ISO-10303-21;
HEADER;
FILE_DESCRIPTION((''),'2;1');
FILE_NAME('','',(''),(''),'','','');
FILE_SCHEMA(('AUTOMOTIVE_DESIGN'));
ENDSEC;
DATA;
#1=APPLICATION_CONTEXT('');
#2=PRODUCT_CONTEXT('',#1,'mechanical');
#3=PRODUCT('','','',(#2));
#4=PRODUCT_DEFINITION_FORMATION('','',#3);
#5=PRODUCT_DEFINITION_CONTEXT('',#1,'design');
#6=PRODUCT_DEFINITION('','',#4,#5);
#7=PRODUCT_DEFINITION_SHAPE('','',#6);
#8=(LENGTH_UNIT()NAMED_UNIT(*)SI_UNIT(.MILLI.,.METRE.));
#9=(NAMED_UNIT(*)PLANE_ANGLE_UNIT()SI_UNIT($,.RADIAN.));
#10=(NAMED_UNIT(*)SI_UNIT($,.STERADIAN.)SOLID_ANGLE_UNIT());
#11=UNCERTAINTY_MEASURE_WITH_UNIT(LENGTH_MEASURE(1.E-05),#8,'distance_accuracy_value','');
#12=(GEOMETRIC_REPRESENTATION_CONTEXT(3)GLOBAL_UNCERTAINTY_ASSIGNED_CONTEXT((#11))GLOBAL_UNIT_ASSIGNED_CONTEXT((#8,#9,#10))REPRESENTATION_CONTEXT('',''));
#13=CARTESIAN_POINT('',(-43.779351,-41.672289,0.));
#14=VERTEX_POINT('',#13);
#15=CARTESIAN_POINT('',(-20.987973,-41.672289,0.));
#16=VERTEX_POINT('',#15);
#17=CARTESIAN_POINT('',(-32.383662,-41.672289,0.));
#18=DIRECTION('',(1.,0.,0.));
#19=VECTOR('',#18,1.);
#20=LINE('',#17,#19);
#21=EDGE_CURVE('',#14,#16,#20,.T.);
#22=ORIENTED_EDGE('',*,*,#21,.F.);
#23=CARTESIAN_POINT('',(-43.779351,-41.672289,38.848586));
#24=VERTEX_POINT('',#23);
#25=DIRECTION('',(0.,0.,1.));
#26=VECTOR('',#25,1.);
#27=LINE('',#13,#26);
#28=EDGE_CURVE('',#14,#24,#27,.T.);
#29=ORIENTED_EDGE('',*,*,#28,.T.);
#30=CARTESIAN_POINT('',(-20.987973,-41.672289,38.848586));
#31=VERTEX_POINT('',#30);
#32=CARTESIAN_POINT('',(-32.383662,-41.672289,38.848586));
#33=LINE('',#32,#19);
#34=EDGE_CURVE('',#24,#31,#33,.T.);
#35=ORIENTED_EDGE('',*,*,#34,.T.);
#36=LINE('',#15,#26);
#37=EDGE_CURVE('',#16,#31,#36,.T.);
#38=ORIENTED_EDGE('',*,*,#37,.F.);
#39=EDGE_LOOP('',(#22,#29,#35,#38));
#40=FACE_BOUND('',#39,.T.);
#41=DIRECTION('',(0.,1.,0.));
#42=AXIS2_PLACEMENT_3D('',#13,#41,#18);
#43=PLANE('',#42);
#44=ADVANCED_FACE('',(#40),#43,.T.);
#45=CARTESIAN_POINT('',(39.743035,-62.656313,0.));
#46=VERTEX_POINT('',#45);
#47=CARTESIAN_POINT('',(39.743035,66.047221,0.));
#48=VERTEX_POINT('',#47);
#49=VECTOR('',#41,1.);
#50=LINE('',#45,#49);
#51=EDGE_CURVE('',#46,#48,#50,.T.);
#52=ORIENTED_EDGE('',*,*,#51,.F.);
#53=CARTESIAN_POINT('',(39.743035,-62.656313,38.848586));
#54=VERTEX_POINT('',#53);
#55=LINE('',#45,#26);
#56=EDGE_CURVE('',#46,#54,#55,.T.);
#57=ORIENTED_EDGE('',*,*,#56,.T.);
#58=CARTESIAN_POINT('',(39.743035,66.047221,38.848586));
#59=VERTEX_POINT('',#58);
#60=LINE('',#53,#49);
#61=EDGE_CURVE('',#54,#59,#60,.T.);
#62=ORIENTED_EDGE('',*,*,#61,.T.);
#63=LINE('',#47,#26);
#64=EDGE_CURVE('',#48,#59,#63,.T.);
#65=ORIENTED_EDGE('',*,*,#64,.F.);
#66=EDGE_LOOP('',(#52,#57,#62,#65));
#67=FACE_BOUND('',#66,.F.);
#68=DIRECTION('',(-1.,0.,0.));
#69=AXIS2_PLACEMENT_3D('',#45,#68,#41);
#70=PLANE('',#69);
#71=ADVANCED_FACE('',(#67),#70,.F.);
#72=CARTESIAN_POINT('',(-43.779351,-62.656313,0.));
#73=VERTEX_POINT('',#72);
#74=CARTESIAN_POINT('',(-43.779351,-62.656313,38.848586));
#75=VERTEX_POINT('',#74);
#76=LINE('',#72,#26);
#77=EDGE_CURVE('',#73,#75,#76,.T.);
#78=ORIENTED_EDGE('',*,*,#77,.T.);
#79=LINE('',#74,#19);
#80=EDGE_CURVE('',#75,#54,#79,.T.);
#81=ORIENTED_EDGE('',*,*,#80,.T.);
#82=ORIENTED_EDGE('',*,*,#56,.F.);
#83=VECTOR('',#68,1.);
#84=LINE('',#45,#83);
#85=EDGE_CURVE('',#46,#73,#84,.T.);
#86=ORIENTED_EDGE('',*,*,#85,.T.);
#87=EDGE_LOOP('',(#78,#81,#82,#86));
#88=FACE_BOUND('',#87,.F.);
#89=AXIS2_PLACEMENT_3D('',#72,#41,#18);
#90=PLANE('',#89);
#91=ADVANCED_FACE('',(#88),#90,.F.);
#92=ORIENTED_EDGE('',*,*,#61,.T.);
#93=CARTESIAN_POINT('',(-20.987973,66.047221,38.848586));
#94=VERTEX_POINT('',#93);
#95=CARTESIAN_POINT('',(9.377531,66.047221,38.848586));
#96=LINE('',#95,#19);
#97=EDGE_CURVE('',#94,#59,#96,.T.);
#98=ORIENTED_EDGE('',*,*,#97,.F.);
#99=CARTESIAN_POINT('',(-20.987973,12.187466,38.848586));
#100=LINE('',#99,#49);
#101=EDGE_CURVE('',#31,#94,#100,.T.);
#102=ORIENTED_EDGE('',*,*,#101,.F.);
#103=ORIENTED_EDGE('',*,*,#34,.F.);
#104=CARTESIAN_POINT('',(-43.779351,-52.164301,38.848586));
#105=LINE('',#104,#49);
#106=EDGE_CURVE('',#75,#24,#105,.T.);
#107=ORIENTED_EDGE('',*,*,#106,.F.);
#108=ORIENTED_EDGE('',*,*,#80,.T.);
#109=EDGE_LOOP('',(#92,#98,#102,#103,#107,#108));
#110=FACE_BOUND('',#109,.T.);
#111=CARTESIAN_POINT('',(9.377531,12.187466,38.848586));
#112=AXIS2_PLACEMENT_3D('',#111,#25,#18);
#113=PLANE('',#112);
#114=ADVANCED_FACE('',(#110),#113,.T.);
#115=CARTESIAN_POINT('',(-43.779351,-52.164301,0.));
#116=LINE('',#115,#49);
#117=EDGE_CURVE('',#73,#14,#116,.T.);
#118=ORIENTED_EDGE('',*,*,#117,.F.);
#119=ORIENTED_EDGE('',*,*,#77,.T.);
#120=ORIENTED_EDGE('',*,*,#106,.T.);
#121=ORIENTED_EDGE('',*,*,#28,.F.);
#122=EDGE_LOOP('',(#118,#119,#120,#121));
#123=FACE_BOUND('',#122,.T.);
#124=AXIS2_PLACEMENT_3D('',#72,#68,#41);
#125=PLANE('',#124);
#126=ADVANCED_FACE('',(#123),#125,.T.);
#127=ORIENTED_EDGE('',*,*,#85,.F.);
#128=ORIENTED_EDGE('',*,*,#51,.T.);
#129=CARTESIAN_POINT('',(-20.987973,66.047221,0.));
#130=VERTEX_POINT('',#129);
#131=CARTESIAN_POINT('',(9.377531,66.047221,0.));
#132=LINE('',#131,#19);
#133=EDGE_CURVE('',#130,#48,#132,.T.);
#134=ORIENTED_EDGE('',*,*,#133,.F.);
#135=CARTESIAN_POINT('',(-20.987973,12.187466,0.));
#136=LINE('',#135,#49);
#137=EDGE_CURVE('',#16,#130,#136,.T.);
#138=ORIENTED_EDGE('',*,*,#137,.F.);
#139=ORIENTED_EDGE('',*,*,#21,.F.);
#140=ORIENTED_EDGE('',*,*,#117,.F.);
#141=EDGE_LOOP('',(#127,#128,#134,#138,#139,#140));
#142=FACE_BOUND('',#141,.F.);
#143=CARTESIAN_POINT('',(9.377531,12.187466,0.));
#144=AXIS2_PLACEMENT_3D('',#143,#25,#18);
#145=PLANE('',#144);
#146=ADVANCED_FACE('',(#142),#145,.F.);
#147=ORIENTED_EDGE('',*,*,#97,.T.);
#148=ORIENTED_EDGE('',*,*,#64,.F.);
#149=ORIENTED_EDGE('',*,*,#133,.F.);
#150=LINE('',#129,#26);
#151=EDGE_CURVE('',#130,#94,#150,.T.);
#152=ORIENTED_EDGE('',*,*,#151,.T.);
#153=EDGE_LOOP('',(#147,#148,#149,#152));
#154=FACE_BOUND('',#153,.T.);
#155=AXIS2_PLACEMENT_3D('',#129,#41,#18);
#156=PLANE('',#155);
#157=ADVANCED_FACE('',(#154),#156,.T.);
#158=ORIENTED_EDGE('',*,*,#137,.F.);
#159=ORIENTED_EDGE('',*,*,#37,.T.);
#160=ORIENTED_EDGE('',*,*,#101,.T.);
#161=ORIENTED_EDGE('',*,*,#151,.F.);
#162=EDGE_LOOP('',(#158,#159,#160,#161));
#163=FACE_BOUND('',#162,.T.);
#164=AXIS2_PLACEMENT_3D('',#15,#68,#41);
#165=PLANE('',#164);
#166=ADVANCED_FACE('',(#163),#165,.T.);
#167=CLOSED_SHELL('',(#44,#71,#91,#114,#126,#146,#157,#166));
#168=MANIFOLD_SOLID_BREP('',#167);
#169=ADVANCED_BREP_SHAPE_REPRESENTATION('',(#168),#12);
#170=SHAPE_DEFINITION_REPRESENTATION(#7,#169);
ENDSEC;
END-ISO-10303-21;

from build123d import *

# Parameters (mm, degrees)
F0_W      = 60.731009
F0_H      = 107.71951
F0_W_2    = 22.791378
F0_H_2    = 20.984024
F1_DEPTH  = 38.848586
F1_FACE_W = 20.984024
F1_FACE_H = 38.848586
F2_DEPTH  = 27.409891
F3_W      = 20.984024
F3_H      = 38.848586
F4_DEPTH  = 31.743571


with BuildPart() as f1:
    # F0 (on Top) → F1 (new body)
    with BuildSketch(Plane.XY):
        with Locations((9.377531, 12.187466)):
            Rectangle(F0_W, F0_H)
        with Locations((-32.383662, -52.164301)):
            Rectangle(F0_W_2, F0_H_2)
        with Locations((9.377531, -52.164301)):
            Rectangle(F0_W, F0_H_2)
    extrude(amount=F1_DEPTH)

    # F1_face (on face) → F2 (join)
    with BuildSketch(Plane(origin=(-43.779351, -52.164301, 19.424293), x_dir=(0, -1, 0), z_dir=(-1, 0, 0))):
        Rectangle(F1_FACE_W, F1_FACE_H)
    extrude(amount=-F2_DEPTH)

    # F3 (on face) → F4 (join)
    with BuildSketch(Plane(origin=(-43.779351, 0, 0), x_dir=(0, -1, 0), z_dir=(-1, 0, 0))):
        with Locations((52.164301, 19.424293)):
            Rectangle(F3_W, F3_H)
    extrude(amount=-F4_DEPTH)


solid = f1.part
